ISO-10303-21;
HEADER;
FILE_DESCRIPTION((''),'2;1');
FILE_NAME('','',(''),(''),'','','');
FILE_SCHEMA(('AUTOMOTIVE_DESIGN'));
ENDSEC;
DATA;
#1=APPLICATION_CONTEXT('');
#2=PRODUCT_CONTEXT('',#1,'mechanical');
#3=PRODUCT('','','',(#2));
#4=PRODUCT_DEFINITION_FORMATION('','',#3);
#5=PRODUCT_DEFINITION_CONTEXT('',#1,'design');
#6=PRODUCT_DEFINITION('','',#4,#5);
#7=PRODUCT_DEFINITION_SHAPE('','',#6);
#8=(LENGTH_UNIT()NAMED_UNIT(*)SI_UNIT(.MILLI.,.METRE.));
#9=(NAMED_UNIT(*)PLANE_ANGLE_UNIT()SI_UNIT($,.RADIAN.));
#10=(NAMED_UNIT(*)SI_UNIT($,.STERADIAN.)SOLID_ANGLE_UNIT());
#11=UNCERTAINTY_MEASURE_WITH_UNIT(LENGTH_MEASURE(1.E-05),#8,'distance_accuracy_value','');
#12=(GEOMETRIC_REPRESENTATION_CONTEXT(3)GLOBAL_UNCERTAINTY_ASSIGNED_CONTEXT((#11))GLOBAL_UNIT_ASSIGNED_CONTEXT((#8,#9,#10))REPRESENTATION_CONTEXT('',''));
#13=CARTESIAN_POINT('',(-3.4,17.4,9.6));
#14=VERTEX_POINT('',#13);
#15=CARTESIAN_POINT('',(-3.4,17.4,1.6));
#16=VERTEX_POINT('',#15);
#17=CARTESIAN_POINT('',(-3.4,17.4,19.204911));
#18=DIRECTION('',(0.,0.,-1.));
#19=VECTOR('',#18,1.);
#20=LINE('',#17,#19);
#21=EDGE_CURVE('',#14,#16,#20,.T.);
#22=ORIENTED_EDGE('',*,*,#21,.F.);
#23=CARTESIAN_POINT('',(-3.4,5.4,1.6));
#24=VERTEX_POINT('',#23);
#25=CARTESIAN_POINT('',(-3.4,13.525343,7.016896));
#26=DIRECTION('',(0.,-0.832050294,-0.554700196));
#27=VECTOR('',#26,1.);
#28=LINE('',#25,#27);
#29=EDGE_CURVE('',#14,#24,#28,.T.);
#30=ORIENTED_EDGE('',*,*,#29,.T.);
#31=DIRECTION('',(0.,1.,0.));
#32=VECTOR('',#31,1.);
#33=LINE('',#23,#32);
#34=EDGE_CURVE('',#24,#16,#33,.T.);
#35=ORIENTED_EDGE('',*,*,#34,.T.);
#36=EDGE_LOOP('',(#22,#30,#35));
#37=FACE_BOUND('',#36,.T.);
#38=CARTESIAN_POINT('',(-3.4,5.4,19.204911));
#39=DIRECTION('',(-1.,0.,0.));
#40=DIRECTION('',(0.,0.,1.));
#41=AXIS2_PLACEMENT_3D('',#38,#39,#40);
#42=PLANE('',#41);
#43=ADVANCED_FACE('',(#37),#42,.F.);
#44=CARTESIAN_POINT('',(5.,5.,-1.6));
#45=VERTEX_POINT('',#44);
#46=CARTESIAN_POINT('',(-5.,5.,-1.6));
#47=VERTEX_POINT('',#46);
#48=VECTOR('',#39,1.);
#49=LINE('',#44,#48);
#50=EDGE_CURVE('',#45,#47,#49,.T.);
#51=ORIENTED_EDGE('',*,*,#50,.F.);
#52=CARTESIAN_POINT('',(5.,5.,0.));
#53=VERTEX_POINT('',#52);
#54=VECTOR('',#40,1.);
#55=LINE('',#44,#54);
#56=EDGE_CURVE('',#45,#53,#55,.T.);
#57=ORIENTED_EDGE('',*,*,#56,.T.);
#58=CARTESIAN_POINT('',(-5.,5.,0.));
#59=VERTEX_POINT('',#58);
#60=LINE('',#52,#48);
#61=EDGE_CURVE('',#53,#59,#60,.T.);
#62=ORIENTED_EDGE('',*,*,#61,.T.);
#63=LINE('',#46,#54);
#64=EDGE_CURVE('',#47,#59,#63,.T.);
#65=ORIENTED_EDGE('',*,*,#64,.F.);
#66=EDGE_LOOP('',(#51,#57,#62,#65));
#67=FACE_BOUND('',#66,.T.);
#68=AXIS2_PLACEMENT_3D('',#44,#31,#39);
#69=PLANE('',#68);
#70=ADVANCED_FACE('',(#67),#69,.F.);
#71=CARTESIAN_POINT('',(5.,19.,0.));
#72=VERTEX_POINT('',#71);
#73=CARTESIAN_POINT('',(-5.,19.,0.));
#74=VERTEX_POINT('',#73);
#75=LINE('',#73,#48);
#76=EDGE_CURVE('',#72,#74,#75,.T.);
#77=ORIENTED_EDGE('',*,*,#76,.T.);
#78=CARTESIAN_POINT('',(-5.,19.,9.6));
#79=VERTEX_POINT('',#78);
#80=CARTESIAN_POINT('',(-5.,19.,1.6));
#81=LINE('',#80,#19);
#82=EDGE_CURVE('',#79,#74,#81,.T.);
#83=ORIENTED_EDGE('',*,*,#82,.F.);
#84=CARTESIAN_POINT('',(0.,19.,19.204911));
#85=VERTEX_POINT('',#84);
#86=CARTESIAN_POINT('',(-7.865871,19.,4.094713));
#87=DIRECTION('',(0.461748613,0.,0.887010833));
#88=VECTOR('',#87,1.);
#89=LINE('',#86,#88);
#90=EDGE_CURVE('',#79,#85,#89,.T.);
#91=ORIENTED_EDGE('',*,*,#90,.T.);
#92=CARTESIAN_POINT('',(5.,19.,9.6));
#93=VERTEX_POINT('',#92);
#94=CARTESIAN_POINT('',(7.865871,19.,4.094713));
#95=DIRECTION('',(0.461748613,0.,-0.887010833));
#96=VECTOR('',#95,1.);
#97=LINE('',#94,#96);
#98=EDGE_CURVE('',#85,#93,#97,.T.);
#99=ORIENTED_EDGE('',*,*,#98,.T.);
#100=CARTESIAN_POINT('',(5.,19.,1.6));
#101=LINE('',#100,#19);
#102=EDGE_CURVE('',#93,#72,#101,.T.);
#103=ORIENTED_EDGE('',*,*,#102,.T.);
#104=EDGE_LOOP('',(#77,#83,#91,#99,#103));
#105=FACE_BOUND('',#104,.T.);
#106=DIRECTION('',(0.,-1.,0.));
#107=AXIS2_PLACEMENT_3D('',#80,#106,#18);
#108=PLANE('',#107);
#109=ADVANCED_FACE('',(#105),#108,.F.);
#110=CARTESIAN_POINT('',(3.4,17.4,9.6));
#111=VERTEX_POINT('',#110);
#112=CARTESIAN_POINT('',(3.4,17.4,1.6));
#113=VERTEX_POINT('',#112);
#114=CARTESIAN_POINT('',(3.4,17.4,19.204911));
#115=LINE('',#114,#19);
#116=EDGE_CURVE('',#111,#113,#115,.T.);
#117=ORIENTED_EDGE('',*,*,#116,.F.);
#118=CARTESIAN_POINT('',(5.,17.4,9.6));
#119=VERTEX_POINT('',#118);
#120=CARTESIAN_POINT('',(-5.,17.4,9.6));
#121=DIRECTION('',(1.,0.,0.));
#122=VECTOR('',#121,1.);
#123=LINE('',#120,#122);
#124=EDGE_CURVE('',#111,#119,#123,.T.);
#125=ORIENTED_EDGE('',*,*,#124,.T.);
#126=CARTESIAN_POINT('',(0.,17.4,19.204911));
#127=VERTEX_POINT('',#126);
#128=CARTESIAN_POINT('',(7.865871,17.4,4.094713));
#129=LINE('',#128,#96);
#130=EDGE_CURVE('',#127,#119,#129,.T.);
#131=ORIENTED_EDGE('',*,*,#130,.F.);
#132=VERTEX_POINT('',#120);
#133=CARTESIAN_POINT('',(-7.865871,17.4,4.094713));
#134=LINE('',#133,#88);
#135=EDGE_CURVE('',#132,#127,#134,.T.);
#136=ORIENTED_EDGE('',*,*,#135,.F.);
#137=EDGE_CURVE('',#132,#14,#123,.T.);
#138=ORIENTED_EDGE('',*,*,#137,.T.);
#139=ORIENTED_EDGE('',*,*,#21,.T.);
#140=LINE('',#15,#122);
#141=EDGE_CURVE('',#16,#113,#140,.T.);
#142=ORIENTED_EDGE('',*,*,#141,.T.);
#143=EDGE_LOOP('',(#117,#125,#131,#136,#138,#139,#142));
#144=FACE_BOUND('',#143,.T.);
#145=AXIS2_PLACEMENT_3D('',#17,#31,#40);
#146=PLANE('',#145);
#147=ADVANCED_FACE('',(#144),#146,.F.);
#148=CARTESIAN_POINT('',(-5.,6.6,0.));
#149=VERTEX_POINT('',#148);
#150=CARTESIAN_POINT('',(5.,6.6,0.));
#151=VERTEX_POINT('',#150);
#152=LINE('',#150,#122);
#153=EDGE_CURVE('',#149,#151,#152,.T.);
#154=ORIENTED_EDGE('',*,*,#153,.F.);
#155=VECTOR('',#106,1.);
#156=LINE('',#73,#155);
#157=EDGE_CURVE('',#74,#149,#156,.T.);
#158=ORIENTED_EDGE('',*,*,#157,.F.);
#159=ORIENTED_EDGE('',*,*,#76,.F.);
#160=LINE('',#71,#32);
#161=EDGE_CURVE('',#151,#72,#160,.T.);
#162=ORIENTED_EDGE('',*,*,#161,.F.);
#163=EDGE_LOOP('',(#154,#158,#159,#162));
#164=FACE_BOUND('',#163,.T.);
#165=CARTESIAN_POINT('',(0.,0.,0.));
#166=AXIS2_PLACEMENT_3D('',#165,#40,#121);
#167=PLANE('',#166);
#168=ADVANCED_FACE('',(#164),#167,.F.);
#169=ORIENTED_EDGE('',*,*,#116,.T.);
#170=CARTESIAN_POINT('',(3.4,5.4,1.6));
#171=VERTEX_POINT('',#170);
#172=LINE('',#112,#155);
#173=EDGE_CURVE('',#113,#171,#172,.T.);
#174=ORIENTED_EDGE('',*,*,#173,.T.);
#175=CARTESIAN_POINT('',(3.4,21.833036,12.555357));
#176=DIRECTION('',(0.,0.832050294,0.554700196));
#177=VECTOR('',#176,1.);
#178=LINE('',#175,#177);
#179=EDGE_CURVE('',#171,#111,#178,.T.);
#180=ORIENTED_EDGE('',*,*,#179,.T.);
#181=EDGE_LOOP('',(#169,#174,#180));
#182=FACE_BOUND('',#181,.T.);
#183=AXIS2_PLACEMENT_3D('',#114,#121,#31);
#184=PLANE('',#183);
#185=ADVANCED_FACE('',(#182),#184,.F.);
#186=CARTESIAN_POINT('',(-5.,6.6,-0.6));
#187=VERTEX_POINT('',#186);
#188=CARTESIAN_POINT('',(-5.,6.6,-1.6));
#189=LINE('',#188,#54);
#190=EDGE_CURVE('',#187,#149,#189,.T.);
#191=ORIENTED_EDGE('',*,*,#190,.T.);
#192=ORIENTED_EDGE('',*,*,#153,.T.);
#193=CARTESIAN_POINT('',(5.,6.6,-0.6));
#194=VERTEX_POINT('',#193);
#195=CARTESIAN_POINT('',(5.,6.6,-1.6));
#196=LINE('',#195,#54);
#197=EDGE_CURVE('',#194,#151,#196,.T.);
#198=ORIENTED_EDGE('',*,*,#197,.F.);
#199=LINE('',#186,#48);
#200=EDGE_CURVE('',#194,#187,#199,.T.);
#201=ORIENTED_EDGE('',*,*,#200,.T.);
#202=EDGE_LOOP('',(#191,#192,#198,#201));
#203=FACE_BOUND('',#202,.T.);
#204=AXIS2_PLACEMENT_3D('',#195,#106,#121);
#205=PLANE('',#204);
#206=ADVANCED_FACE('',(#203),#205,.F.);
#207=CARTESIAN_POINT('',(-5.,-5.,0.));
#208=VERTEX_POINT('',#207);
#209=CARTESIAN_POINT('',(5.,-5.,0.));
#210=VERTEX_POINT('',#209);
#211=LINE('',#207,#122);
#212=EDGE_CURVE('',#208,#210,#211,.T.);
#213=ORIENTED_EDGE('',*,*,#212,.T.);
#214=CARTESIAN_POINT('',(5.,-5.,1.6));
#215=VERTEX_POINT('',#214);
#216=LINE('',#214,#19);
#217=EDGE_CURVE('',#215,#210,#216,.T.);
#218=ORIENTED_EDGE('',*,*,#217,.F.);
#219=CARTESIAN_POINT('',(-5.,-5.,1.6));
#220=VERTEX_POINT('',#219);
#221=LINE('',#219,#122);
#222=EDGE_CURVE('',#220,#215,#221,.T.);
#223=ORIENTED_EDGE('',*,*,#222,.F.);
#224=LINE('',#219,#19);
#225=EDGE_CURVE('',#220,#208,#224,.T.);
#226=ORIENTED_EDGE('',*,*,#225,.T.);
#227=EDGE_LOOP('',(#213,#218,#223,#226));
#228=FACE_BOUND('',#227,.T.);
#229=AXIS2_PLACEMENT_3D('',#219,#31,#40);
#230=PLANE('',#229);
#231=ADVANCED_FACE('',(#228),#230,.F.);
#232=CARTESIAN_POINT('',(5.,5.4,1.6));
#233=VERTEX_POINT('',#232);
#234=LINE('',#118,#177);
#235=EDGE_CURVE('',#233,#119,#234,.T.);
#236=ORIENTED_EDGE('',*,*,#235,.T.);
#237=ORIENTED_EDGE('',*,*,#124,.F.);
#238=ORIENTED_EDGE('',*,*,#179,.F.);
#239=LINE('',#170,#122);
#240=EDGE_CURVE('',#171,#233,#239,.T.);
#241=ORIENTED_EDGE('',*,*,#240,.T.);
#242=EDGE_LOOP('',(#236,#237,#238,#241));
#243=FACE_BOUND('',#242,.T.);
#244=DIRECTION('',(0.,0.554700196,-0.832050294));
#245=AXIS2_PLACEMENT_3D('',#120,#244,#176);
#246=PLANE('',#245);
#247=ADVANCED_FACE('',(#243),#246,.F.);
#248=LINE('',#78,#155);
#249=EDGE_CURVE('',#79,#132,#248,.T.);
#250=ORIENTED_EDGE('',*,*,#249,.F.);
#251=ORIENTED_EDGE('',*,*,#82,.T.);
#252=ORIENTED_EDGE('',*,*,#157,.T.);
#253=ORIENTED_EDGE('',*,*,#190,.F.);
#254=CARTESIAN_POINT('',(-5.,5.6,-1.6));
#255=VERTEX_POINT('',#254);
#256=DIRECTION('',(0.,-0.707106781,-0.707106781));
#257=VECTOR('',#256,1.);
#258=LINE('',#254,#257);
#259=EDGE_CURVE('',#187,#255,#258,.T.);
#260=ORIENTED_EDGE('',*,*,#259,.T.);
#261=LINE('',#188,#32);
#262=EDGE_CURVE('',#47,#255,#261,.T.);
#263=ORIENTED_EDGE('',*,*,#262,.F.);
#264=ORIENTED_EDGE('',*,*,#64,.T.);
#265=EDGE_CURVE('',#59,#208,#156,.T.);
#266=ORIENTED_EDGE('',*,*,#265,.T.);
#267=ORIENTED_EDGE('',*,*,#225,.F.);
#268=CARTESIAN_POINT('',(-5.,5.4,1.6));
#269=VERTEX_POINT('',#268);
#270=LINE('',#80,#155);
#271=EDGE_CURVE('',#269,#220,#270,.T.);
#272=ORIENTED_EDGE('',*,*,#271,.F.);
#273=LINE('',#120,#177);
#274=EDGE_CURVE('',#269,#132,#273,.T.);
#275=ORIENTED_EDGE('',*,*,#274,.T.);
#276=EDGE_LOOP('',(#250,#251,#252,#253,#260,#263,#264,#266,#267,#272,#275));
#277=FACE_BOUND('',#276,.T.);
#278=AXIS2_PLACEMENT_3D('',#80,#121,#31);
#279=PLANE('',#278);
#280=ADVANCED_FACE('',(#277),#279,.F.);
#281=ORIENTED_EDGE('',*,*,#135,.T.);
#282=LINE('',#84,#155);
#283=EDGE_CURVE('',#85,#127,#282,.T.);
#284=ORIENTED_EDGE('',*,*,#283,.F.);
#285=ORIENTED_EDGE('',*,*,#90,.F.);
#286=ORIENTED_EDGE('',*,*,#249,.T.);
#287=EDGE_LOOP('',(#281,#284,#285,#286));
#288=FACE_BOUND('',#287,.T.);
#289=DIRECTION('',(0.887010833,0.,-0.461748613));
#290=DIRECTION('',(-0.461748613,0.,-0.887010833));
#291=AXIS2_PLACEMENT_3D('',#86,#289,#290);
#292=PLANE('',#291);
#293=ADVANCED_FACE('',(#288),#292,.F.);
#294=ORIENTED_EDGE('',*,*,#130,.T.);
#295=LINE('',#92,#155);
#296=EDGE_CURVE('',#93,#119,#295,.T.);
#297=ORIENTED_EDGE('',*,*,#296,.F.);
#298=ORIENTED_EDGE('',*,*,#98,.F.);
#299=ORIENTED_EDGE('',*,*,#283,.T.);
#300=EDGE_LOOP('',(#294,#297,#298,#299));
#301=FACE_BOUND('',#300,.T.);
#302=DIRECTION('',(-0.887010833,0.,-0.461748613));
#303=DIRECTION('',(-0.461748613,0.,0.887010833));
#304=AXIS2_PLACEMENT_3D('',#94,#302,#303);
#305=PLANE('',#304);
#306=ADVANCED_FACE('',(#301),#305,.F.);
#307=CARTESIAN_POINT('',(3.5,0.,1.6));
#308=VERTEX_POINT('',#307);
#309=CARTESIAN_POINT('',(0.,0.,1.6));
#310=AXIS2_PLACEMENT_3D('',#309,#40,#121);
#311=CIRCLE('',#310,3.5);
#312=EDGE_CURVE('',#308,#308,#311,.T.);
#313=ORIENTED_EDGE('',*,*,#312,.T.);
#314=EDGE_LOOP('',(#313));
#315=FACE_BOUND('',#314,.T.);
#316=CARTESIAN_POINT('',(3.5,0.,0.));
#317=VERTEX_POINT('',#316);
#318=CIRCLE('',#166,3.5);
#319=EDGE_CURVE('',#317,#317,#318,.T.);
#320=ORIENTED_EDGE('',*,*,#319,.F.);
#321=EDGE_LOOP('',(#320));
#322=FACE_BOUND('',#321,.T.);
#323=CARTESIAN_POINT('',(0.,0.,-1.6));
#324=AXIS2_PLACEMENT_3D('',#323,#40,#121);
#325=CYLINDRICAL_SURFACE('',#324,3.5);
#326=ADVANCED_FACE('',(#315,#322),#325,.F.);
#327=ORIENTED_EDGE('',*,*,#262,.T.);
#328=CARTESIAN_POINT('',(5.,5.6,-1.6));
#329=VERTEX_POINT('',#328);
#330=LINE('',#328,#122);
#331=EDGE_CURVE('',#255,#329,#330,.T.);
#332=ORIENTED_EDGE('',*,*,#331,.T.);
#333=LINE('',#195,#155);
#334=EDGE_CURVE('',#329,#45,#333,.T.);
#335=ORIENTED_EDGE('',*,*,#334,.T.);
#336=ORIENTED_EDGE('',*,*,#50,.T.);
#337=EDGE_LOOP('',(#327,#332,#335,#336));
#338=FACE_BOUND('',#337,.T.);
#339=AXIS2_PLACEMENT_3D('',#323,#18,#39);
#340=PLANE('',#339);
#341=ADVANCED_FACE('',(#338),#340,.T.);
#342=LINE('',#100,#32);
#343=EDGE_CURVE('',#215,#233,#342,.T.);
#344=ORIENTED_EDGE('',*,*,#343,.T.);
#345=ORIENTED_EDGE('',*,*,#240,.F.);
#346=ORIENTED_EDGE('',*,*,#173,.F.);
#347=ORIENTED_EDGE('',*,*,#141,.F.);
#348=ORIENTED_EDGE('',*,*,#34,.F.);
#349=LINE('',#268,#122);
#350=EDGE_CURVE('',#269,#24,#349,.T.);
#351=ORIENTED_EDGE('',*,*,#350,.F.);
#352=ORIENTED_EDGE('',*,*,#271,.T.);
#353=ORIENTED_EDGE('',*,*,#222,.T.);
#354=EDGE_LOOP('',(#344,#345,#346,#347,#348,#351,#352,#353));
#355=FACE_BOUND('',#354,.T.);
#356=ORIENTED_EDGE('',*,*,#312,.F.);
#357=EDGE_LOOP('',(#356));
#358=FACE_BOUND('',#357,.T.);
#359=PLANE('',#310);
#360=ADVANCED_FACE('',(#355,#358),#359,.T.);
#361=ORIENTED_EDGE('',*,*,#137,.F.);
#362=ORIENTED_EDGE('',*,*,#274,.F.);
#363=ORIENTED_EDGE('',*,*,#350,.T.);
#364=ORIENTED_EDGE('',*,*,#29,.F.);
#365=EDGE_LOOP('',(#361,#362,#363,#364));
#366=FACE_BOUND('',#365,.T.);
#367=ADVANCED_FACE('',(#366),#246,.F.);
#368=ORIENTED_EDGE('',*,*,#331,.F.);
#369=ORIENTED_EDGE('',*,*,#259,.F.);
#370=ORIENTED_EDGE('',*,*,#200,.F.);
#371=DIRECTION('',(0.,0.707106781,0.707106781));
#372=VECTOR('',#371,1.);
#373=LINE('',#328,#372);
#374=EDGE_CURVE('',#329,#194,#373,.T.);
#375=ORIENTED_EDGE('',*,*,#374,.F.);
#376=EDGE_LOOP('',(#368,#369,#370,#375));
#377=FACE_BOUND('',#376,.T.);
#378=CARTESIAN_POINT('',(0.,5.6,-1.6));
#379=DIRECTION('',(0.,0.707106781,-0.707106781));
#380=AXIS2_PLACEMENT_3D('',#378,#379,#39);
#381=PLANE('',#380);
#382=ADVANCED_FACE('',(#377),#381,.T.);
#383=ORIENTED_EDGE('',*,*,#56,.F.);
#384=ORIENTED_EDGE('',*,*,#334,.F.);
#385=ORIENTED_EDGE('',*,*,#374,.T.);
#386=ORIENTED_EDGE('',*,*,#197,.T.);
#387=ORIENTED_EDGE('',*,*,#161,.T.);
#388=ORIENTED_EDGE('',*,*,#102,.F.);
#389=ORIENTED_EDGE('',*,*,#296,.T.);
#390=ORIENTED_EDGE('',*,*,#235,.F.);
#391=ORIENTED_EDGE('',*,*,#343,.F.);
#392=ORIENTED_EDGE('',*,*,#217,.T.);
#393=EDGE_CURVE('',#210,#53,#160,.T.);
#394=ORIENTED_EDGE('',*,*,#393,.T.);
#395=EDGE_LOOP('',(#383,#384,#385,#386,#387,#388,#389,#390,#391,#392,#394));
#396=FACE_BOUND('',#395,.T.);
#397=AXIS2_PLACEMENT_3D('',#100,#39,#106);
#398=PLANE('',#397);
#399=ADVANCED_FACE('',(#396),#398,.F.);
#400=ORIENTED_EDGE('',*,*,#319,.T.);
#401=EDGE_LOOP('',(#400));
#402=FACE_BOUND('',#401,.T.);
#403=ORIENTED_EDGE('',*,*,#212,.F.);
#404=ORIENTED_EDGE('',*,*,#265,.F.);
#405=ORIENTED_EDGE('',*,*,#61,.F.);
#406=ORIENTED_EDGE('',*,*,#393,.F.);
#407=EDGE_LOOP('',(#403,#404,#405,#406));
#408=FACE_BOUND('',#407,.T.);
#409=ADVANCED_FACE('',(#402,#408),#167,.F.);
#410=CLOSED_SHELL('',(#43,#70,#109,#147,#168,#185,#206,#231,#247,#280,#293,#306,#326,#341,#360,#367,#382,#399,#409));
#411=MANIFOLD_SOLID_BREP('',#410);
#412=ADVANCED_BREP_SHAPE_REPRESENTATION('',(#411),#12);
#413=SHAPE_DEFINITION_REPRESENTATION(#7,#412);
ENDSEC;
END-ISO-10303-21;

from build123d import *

# Parameters (mm, degrees)
SKETCH1_W           = 10
SKETCH1_H           = 24
BODY_DEPTH          = 1.6
SKETCH2_W           = 10
SKETCH2_H           = 1.6
BOSS_EXTRUDE2_DEPTH = 1.6
FIN_CHAMFER_SIZE    = 1
SKETCH3_R           = 3.5
HOLE_DEPTH          = 4.2
FIN_DEPTH           = 17.604910635
SIDE_CUT_DEPTH      = 11
TOP_CUT_DEPTH       = 2.6


with BuildPart() as part:
    # Sketch1 → Body (new body)
    with BuildSketch(Plane.XY):
        with Locations((0, 7)):
            Rectangle(SKETCH1_W, SKETCH1_H)
    extrude(amount=BODY_DEPTH)

    # Sketch2 → Boss-Extrude2 (add)
    with BuildSketch(Plane(origin=(0, 0, 0), x_dir=(-1, 0, 0), z_dir=(0, 0, -1))):
        with Locations((0, 5.8)):
            Rectangle(SKETCH2_W, SKETCH2_H)
    extrude(amount=BOSS_EXTRUDE2_DEPTH)

    # Fin Chamfer
    fin_chamfer_edges = [part.edges().sort_by_distance(p)[0] for p in [
        (0, 6.6, -1.6),
    ]]
    chamfer(fin_chamfer_edges, length=FIN_CHAMFER_SIZE)

    # Sketch3 → Hole (cut, through all)
    with BuildSketch(Plane.XY.offset(1.6)):
        Circle(SKETCH3_R)
    extrude(amount=-HOLE_DEPTH, mode=Mode.SUBTRACT)

    # Sketch4 → Fin (add)
    with BuildSketch(Plane.XY.offset(1.6)):
        Polygon((-5, 19), (-5, 5.4), (-3.4, 5.4), (-3.4, 17.4), (3.4, 17.4), (3.4, 5.4), (5, 5.4), (5, 19), align=None)
    extrude(amount=FIN_DEPTH)

    # Sketch5 → Side Cut (cut, through all)
    with BuildSketch(Plane(origin=(5, 0, 0), x_dir=(0, 0, -1), z_dir=(1, 0, 0))):
        Polygon((-1.6, 5.4), (-9.6, 5.4), (-19.204910635, 5.4), (-19.204910635, 17.4), (-9.6, 17.4), align=None)
    extrude(amount=-SIDE_CUT_DEPTH, mode=Mode.SUBTRACT)

    # Sketch7 → Top Cut (cut, through all)
    with BuildSketch(Plane.XZ.offset(-17.4)):
        Polygon((-5, 19.204910635), (-5, 9.6), (0, 19.204910635), align=None)
        Polygon((5, 19.204910635), (0, 19.204910635), (5, 9.6), align=None)
    extrude(amount=-TOP_CUT_DEPTH, mode=Mode.SUBTRACT)


solid = part.part
